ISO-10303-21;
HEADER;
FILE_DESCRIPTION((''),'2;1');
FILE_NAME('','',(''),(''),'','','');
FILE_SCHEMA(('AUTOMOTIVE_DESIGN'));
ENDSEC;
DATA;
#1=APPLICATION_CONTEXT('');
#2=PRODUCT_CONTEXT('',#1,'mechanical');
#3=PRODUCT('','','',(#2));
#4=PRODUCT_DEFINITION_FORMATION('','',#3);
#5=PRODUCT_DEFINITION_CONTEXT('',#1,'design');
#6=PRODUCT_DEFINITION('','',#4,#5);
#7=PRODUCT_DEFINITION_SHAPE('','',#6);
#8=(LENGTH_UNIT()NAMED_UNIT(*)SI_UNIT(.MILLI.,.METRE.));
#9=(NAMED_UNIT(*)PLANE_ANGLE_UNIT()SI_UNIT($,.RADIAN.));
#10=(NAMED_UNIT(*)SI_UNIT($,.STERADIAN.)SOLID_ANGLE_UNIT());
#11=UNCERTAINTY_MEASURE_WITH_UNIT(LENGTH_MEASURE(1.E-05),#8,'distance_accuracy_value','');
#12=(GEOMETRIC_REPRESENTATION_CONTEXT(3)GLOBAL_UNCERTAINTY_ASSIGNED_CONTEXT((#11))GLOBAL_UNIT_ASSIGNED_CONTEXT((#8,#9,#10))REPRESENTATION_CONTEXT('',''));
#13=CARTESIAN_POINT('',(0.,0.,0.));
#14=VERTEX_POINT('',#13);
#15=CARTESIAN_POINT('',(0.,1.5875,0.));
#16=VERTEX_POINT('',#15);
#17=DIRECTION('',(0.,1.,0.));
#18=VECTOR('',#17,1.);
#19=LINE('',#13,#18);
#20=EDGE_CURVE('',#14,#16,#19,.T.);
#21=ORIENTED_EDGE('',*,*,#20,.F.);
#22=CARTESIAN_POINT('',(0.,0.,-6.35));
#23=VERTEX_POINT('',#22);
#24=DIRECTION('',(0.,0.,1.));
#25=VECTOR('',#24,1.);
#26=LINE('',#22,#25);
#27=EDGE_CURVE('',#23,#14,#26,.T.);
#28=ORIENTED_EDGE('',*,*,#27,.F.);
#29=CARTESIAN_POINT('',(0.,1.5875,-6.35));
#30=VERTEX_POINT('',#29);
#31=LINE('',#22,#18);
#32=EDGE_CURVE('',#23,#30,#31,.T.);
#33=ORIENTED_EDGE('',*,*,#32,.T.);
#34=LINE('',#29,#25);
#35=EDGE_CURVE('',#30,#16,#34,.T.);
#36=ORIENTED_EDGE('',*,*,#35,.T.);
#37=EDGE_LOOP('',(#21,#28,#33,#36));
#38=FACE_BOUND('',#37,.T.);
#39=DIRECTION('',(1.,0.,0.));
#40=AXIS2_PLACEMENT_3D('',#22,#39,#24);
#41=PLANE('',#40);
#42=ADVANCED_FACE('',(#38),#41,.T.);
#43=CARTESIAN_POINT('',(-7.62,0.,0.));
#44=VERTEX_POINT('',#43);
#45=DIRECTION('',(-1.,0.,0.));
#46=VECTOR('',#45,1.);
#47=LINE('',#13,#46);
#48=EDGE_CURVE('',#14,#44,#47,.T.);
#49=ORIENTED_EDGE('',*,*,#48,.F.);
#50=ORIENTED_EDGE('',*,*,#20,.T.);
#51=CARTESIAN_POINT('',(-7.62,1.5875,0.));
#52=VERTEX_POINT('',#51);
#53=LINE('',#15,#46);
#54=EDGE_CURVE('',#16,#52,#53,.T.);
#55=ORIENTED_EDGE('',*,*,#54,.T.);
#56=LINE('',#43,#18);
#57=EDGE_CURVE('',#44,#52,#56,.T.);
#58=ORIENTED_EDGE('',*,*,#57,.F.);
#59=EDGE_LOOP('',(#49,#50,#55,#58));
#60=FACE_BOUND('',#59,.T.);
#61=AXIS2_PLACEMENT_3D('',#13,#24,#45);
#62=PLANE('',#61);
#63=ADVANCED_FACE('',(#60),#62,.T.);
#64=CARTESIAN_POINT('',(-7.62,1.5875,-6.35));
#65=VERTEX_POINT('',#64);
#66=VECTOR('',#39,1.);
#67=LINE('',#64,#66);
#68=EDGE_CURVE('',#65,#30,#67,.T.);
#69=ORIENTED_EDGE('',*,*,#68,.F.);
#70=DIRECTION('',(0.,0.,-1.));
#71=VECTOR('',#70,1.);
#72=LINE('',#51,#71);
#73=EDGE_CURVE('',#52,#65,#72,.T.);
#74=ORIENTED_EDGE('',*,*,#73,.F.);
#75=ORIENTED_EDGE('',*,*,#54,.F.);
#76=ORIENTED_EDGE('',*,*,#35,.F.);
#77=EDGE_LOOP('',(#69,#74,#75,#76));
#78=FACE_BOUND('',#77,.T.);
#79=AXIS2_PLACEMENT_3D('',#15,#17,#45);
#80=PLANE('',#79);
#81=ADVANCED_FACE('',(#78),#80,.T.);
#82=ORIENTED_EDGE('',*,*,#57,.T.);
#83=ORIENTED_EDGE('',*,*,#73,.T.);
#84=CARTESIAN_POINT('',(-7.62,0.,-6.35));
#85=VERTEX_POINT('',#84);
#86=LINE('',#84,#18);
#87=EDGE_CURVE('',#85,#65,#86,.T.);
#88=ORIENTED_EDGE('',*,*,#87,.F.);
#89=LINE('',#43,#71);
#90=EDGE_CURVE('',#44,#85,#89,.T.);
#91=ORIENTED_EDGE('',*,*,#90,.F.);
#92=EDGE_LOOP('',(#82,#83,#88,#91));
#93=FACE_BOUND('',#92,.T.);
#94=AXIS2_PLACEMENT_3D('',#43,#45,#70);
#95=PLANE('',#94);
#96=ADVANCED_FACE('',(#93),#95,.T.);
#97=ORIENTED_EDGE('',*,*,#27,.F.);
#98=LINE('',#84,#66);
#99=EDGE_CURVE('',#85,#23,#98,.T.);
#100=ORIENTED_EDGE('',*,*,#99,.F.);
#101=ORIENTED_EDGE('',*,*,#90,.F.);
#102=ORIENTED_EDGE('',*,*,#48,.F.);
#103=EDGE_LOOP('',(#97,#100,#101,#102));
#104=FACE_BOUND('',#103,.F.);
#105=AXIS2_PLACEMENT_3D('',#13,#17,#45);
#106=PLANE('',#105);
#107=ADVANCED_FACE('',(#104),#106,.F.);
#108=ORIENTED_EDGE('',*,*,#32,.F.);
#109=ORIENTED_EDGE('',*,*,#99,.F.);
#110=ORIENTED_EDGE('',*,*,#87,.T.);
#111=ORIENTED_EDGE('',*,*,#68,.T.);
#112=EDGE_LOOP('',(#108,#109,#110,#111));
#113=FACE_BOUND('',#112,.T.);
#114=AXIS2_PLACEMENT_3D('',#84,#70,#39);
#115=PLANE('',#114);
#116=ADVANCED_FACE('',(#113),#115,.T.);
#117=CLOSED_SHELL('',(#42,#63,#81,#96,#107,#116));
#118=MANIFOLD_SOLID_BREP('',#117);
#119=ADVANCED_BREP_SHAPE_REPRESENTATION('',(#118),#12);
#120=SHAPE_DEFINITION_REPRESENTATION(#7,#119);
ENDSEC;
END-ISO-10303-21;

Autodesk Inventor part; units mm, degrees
ref_plane "YZ Plane" through (0, 0, 0) normal (1, 0, 0) x (0, 1, 0)
ref_plane "XZ Plane" through (0, 0, 0) normal (0, 1, 0) x (-1, 0, 0)
ref_plane "XY Plane" through (0, 0, 0) normal (0, 0, 1) x (1, 0, 0)
sketch "Sketch1" plane through (0, 0, 0) normal (0, 1, 0) x (-1, 0, 0)
  line L0 (0, 0) -> (7.62, 0)
  line L1 (7.62, 0) -> (7.62, -6.35)
  line L2 (7.62, -6.35) -> (0, -6.35)
  line L3 (0, -6.35) -> (0, 0)
  dimension "d5" = 7.62
  dimension "d6" = 6.35
extrude "Extrusion1" add sketch "Sketch1" along normal blind 1.5875
properties part number "silicone glue"
